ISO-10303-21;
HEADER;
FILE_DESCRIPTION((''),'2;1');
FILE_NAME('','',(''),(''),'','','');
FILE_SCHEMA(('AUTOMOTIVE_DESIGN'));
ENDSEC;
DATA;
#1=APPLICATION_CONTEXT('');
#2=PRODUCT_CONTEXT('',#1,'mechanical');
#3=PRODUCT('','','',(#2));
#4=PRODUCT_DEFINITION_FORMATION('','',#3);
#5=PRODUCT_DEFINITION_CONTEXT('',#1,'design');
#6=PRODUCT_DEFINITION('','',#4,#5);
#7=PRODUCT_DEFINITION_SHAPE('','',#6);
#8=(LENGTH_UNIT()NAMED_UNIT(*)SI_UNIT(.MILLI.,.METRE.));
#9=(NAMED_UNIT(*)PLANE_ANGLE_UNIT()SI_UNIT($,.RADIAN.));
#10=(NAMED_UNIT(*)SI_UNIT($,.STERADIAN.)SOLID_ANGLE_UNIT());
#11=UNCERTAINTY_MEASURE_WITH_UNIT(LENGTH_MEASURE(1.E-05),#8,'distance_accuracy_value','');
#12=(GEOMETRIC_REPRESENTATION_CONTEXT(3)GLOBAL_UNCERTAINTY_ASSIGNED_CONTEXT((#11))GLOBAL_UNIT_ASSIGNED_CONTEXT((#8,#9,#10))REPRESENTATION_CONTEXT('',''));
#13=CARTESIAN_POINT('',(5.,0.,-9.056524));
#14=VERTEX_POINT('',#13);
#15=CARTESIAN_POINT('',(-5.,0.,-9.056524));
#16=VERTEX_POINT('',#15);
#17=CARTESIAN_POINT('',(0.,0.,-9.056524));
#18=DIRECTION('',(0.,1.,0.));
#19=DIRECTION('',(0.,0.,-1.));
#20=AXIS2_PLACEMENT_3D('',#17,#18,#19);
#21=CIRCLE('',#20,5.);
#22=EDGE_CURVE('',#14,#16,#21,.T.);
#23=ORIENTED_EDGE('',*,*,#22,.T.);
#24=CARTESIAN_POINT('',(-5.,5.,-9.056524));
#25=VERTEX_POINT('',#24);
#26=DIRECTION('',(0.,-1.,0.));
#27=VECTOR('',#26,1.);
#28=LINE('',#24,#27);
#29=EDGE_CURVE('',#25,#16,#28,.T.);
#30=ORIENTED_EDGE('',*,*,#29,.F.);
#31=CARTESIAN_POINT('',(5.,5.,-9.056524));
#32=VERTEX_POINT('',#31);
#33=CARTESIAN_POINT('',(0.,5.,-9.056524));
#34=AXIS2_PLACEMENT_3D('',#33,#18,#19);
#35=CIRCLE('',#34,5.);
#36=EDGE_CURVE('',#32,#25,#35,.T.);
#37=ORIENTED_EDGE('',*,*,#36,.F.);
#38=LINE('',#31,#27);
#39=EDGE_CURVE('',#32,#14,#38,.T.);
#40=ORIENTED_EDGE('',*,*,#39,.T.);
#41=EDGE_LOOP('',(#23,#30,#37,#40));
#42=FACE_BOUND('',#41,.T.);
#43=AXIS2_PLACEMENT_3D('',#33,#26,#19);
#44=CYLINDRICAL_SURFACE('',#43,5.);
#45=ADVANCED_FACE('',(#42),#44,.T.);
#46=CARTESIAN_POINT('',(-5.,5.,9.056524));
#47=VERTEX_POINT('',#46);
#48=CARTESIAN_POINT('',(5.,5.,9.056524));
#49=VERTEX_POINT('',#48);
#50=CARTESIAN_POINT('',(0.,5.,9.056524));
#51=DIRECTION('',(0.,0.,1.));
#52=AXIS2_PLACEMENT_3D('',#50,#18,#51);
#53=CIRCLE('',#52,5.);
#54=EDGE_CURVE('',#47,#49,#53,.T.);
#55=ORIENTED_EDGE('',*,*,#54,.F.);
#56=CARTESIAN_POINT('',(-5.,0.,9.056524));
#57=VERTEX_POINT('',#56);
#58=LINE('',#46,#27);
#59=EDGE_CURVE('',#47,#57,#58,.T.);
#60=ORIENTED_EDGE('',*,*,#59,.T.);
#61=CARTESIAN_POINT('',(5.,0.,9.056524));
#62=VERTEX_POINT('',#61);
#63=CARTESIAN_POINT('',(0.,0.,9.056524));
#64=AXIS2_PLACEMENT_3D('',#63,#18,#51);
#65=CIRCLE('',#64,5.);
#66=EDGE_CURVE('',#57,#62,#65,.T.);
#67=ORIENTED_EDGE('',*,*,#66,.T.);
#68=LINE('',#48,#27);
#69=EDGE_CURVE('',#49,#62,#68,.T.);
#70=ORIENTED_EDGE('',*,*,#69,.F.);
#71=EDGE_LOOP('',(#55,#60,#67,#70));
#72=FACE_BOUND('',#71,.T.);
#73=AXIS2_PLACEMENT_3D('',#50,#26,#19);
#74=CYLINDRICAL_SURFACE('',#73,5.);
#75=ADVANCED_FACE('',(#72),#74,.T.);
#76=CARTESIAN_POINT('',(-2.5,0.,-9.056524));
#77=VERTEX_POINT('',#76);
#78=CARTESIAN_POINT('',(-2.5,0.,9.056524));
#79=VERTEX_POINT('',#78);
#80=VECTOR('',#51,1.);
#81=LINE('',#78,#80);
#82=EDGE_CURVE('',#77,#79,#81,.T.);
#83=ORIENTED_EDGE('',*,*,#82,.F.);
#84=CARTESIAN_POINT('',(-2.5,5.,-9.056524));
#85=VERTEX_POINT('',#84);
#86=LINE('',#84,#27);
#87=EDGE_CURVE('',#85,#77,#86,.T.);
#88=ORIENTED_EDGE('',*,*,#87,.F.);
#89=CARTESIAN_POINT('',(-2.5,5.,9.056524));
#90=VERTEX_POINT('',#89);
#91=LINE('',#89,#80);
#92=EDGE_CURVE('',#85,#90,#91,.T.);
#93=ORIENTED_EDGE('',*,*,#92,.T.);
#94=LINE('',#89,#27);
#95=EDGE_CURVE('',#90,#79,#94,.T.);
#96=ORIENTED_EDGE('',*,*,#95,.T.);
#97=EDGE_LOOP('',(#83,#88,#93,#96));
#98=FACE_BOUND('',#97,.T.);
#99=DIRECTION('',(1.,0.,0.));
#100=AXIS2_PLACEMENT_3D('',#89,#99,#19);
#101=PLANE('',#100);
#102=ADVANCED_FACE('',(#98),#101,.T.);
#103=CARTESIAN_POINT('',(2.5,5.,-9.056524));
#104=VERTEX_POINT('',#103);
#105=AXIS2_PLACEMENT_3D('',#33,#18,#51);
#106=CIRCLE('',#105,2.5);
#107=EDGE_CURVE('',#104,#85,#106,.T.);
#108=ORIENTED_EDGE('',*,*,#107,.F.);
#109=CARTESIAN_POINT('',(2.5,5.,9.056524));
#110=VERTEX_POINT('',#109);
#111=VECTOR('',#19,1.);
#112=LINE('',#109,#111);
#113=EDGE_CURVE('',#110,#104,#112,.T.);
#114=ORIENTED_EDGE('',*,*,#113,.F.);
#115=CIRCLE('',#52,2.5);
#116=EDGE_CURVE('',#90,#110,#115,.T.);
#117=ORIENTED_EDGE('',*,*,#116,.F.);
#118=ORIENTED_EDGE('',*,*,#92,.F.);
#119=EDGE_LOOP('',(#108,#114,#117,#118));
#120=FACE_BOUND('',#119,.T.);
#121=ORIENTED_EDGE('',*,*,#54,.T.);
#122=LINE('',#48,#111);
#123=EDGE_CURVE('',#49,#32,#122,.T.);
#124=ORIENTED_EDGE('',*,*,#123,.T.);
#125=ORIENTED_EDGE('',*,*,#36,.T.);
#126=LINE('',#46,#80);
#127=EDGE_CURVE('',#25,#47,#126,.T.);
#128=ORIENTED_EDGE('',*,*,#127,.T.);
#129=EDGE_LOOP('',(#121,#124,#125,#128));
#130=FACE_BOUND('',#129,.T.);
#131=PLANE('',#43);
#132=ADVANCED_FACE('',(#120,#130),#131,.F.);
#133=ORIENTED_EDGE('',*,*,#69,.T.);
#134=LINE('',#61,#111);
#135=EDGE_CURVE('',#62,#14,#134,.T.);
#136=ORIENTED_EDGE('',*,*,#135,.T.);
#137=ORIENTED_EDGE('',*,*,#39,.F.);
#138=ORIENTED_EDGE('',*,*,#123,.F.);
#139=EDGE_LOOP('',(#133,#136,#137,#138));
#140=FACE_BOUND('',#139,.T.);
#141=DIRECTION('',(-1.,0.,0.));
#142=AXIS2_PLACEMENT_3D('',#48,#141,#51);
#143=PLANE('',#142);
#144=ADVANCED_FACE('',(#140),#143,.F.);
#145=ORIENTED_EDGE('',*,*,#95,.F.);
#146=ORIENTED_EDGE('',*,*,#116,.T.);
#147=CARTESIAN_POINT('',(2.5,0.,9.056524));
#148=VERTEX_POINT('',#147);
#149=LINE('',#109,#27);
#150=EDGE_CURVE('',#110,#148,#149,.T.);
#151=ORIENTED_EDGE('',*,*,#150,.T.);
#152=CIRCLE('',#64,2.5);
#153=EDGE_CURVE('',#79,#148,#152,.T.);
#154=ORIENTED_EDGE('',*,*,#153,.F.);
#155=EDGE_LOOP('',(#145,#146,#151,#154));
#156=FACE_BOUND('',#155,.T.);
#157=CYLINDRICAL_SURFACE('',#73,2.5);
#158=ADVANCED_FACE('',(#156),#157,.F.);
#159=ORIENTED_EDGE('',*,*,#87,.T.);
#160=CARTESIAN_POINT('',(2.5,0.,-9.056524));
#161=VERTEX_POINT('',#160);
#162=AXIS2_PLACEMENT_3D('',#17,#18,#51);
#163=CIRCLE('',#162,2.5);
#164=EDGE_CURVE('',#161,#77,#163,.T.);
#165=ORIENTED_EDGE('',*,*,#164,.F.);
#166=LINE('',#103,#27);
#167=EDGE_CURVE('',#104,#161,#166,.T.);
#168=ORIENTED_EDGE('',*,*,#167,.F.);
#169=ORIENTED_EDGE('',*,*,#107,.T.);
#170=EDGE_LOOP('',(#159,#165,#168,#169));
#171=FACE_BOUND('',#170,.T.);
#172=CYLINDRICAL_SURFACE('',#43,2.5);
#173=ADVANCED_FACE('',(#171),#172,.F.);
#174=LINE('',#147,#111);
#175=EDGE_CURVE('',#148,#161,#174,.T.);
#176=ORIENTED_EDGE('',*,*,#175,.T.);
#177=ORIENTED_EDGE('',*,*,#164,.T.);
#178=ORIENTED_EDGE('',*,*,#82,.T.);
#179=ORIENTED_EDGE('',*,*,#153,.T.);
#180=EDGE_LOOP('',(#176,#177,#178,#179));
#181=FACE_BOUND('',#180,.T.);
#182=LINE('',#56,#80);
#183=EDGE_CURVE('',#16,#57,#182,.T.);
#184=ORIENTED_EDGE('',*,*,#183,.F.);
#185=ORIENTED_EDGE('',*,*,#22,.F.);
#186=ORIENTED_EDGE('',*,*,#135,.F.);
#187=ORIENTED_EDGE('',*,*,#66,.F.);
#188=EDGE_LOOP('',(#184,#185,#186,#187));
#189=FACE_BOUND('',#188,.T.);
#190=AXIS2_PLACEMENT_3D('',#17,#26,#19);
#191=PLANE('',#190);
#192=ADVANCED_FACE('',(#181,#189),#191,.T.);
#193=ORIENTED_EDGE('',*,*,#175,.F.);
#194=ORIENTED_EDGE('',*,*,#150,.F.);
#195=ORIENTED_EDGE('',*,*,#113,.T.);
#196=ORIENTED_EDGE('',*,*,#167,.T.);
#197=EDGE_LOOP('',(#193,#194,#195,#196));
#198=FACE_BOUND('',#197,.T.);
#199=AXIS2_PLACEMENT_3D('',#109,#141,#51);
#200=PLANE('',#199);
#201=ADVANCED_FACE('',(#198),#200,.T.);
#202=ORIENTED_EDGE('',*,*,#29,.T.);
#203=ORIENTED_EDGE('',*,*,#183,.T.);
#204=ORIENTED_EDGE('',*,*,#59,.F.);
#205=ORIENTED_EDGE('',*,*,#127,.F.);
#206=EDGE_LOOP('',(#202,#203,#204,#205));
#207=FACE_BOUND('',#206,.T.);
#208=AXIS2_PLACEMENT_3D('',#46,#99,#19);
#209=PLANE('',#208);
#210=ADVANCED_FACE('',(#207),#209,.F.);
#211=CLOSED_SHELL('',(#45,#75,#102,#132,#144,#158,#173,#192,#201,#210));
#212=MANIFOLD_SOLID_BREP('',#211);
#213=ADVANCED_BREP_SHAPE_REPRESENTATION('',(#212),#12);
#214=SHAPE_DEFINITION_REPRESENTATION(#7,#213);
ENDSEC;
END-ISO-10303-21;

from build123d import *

# Parameters (mm, degrees)
BOSS_EXTRUDE1_DEPTH = 5


with BuildPart() as part:
    # Sketch1 → Boss-Extrude1 (new body)
    with BuildSketch(Plane(origin=(0, 0, 0), x_dir=(1, 0, 0), z_dir=(0, 1, 0))):
        with BuildLine():
            Line((-5, -9.056523547), (-5, 9.056523547))
            ThreePointArc((-5, 9.056523547), (0, 14.056523547), (5, 9.056523547))
            Line((5, 9.056523547), (5, -9.056523547))
            ThreePointArc((5, -9.056523547), (0, -14.056523547), (-5, -9.056523547))
        make_face()
        with BuildLine():
            Line((-2.5, -9.056523547), (-2.5, 9.056523547))
            ThreePointArc((-2.5, 9.056523547), (0, 11.556523547), (2.5, 9.056523547))
            Line((2.5, 9.056523547), (2.5, -9.056523547))
            ThreePointArc((2.5, -9.056523547), (0, -11.556523547), (-2.5, -9.056523547))
        make_face(mode=Mode.SUBTRACT)
    extrude(amount=BOSS_EXTRUDE1_DEPTH)


solid = part.part
